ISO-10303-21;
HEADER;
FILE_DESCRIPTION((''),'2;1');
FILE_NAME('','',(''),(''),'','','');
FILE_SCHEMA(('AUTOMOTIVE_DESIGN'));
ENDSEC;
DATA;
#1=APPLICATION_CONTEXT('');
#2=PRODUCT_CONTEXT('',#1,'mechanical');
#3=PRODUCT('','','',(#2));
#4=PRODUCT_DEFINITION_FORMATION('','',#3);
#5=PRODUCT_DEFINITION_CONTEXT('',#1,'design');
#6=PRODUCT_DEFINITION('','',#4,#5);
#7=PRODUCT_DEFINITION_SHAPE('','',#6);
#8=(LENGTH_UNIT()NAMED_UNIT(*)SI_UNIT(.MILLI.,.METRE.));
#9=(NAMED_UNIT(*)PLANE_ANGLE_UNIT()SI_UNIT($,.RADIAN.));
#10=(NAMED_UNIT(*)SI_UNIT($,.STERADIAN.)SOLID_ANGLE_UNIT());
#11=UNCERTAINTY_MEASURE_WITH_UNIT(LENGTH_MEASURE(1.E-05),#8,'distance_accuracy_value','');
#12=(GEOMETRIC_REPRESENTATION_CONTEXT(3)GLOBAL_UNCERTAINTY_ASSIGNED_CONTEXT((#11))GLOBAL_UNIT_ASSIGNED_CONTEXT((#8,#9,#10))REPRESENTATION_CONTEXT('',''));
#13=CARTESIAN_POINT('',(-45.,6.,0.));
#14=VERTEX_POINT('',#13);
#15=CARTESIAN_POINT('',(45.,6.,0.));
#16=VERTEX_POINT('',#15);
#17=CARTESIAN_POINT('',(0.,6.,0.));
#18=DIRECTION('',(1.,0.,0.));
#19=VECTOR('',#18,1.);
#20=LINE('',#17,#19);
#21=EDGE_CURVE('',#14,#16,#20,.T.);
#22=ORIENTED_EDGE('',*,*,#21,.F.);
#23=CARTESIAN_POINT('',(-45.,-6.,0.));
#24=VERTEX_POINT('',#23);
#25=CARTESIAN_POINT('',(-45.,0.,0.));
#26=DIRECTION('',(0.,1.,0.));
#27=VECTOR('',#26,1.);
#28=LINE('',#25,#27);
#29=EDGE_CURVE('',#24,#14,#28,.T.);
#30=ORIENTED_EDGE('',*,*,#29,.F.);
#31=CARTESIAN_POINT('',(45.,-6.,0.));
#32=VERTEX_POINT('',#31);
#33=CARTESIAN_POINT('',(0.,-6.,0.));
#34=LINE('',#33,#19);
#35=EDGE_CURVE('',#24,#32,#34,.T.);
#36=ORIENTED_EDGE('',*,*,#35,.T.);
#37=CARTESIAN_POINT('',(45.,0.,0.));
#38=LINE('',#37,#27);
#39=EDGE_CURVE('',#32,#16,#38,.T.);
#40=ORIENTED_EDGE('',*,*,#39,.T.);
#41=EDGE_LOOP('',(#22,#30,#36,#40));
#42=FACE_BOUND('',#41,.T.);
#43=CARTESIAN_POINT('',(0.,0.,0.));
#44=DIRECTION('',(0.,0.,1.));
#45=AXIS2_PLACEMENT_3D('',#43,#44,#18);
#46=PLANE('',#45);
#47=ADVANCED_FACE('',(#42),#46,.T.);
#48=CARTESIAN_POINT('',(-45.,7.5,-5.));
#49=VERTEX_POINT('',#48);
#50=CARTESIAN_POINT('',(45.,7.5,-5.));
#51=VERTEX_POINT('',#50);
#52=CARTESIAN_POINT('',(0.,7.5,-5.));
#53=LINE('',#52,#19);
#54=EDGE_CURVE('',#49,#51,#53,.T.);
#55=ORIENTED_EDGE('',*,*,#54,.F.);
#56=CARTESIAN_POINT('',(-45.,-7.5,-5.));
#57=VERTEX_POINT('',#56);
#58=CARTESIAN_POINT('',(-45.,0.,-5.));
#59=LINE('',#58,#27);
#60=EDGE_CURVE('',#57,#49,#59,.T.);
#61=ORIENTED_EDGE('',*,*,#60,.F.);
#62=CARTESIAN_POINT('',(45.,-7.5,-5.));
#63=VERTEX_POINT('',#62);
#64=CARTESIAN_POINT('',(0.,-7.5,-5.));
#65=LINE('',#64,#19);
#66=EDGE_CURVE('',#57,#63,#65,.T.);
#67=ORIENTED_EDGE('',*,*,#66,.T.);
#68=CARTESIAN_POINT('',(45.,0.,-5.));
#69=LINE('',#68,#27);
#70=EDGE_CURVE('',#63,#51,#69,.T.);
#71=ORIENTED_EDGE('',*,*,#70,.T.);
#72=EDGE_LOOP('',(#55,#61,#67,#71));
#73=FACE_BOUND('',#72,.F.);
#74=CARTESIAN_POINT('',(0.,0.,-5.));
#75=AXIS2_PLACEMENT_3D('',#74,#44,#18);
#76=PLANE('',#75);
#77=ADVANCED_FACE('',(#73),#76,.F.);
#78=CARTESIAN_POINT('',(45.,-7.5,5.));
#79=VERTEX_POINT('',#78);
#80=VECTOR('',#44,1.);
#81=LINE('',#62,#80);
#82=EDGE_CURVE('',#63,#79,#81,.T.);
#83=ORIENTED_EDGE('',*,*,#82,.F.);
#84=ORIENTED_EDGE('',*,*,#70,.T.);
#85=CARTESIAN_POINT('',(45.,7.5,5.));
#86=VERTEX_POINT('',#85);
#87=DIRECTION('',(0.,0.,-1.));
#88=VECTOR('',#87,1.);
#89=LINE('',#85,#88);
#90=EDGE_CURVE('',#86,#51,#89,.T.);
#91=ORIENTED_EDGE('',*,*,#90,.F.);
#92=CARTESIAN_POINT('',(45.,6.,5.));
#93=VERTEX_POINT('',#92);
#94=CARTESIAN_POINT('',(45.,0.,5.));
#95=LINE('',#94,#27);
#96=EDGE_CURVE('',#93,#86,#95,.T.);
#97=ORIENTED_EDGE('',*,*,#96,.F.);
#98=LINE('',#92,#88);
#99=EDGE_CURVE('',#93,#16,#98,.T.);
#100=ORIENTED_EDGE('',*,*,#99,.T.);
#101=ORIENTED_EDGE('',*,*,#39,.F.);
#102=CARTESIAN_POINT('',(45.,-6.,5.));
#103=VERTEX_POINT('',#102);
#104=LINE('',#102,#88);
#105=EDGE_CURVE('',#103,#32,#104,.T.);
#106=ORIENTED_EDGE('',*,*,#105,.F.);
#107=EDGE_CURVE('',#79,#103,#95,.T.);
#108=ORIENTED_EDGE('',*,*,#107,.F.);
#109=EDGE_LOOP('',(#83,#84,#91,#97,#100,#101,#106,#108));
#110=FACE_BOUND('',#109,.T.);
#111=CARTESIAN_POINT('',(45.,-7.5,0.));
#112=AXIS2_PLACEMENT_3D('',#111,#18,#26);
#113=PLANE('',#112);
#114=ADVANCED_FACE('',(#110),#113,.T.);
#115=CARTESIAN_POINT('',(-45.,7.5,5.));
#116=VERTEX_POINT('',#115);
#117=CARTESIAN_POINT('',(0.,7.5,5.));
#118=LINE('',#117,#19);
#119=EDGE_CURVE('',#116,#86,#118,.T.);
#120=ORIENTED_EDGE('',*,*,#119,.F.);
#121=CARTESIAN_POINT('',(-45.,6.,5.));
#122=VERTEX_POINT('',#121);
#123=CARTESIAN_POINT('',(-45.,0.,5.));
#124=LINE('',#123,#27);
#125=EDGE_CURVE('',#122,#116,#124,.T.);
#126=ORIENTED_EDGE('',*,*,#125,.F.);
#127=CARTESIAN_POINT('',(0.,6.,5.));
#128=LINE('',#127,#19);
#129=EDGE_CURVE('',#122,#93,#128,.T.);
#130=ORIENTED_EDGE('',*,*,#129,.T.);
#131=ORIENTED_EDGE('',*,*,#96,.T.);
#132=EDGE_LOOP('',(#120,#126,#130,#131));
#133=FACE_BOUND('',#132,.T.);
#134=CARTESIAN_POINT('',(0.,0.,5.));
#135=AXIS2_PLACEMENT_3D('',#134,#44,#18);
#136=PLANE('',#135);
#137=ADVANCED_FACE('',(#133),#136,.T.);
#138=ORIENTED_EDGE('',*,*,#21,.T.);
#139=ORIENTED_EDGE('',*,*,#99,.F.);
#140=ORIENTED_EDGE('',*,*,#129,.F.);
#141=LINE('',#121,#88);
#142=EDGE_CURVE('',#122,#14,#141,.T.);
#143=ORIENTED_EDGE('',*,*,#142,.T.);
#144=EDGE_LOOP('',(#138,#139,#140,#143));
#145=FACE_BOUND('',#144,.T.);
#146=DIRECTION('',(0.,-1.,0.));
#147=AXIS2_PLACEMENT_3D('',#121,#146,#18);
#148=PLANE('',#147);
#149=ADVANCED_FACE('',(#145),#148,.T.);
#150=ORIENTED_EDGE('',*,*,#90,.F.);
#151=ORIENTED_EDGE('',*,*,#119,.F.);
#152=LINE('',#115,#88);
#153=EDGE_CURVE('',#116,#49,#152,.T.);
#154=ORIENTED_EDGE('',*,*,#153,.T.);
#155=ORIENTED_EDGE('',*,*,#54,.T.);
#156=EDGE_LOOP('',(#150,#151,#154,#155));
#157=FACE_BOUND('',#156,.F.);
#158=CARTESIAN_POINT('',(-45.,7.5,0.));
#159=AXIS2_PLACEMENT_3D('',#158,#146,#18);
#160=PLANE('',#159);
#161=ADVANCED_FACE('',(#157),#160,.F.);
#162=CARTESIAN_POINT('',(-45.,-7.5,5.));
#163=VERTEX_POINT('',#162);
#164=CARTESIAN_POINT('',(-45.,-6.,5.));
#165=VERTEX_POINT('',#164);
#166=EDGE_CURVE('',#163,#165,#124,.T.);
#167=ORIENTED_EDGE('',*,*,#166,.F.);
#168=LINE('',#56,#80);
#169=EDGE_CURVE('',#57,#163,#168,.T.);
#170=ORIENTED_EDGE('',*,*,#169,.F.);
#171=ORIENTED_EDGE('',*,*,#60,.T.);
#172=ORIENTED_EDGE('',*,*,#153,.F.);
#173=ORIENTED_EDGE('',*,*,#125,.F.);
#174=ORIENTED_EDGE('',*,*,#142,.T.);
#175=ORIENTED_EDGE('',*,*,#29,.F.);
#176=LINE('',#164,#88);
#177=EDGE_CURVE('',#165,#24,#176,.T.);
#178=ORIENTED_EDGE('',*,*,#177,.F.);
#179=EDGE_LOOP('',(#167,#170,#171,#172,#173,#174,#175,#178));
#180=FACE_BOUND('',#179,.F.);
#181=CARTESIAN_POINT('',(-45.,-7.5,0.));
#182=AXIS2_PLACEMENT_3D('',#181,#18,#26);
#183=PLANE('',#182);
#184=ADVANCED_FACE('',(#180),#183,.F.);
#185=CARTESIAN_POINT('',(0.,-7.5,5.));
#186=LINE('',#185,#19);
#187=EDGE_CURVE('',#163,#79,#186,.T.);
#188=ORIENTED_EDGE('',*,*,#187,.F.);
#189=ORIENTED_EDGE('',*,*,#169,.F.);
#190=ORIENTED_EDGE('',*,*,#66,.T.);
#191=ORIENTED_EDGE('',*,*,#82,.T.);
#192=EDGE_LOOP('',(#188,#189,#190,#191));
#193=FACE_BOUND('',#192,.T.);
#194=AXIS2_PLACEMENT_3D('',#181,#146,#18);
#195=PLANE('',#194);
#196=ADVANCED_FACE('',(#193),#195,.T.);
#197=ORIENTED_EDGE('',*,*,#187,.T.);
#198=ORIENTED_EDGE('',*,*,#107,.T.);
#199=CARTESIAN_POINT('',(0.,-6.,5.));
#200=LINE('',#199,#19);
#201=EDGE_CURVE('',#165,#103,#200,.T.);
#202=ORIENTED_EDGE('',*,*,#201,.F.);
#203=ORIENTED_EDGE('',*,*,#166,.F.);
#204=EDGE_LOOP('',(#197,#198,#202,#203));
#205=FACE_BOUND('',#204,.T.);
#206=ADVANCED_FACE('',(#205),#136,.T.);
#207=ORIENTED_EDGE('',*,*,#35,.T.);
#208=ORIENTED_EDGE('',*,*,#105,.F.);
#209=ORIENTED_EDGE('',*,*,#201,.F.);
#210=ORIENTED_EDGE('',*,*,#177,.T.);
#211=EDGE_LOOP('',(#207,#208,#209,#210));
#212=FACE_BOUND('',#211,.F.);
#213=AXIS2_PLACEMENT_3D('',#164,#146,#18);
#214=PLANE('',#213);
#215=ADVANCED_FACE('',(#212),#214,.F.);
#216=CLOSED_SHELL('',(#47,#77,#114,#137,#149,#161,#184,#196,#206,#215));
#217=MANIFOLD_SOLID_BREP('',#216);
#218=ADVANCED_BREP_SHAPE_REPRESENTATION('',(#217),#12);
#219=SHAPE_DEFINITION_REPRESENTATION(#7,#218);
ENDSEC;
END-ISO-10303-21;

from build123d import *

# Parameters (mm, degrees)
F0_W     = 90
F0_H     = 15
F1_DEPTH = 5
F2_W     = 90
F2_H     = 12
F3_DEPTH = 5


with BuildPart() as f1:
    # F0 (on Top) → F1 (new body, symmetric)
    with BuildSketch(Plane.XY):
        Rectangle(F0_W, F0_H)
    extrude(amount=F1_DEPTH, both=True)

    # F2 (on face) → F3 (cut)
    with BuildSketch(Plane.XY.offset(5)):
        Rectangle(F2_W, F2_H)
    extrude(amount=-F3_DEPTH, mode=Mode.SUBTRACT)


solid = f1.part
